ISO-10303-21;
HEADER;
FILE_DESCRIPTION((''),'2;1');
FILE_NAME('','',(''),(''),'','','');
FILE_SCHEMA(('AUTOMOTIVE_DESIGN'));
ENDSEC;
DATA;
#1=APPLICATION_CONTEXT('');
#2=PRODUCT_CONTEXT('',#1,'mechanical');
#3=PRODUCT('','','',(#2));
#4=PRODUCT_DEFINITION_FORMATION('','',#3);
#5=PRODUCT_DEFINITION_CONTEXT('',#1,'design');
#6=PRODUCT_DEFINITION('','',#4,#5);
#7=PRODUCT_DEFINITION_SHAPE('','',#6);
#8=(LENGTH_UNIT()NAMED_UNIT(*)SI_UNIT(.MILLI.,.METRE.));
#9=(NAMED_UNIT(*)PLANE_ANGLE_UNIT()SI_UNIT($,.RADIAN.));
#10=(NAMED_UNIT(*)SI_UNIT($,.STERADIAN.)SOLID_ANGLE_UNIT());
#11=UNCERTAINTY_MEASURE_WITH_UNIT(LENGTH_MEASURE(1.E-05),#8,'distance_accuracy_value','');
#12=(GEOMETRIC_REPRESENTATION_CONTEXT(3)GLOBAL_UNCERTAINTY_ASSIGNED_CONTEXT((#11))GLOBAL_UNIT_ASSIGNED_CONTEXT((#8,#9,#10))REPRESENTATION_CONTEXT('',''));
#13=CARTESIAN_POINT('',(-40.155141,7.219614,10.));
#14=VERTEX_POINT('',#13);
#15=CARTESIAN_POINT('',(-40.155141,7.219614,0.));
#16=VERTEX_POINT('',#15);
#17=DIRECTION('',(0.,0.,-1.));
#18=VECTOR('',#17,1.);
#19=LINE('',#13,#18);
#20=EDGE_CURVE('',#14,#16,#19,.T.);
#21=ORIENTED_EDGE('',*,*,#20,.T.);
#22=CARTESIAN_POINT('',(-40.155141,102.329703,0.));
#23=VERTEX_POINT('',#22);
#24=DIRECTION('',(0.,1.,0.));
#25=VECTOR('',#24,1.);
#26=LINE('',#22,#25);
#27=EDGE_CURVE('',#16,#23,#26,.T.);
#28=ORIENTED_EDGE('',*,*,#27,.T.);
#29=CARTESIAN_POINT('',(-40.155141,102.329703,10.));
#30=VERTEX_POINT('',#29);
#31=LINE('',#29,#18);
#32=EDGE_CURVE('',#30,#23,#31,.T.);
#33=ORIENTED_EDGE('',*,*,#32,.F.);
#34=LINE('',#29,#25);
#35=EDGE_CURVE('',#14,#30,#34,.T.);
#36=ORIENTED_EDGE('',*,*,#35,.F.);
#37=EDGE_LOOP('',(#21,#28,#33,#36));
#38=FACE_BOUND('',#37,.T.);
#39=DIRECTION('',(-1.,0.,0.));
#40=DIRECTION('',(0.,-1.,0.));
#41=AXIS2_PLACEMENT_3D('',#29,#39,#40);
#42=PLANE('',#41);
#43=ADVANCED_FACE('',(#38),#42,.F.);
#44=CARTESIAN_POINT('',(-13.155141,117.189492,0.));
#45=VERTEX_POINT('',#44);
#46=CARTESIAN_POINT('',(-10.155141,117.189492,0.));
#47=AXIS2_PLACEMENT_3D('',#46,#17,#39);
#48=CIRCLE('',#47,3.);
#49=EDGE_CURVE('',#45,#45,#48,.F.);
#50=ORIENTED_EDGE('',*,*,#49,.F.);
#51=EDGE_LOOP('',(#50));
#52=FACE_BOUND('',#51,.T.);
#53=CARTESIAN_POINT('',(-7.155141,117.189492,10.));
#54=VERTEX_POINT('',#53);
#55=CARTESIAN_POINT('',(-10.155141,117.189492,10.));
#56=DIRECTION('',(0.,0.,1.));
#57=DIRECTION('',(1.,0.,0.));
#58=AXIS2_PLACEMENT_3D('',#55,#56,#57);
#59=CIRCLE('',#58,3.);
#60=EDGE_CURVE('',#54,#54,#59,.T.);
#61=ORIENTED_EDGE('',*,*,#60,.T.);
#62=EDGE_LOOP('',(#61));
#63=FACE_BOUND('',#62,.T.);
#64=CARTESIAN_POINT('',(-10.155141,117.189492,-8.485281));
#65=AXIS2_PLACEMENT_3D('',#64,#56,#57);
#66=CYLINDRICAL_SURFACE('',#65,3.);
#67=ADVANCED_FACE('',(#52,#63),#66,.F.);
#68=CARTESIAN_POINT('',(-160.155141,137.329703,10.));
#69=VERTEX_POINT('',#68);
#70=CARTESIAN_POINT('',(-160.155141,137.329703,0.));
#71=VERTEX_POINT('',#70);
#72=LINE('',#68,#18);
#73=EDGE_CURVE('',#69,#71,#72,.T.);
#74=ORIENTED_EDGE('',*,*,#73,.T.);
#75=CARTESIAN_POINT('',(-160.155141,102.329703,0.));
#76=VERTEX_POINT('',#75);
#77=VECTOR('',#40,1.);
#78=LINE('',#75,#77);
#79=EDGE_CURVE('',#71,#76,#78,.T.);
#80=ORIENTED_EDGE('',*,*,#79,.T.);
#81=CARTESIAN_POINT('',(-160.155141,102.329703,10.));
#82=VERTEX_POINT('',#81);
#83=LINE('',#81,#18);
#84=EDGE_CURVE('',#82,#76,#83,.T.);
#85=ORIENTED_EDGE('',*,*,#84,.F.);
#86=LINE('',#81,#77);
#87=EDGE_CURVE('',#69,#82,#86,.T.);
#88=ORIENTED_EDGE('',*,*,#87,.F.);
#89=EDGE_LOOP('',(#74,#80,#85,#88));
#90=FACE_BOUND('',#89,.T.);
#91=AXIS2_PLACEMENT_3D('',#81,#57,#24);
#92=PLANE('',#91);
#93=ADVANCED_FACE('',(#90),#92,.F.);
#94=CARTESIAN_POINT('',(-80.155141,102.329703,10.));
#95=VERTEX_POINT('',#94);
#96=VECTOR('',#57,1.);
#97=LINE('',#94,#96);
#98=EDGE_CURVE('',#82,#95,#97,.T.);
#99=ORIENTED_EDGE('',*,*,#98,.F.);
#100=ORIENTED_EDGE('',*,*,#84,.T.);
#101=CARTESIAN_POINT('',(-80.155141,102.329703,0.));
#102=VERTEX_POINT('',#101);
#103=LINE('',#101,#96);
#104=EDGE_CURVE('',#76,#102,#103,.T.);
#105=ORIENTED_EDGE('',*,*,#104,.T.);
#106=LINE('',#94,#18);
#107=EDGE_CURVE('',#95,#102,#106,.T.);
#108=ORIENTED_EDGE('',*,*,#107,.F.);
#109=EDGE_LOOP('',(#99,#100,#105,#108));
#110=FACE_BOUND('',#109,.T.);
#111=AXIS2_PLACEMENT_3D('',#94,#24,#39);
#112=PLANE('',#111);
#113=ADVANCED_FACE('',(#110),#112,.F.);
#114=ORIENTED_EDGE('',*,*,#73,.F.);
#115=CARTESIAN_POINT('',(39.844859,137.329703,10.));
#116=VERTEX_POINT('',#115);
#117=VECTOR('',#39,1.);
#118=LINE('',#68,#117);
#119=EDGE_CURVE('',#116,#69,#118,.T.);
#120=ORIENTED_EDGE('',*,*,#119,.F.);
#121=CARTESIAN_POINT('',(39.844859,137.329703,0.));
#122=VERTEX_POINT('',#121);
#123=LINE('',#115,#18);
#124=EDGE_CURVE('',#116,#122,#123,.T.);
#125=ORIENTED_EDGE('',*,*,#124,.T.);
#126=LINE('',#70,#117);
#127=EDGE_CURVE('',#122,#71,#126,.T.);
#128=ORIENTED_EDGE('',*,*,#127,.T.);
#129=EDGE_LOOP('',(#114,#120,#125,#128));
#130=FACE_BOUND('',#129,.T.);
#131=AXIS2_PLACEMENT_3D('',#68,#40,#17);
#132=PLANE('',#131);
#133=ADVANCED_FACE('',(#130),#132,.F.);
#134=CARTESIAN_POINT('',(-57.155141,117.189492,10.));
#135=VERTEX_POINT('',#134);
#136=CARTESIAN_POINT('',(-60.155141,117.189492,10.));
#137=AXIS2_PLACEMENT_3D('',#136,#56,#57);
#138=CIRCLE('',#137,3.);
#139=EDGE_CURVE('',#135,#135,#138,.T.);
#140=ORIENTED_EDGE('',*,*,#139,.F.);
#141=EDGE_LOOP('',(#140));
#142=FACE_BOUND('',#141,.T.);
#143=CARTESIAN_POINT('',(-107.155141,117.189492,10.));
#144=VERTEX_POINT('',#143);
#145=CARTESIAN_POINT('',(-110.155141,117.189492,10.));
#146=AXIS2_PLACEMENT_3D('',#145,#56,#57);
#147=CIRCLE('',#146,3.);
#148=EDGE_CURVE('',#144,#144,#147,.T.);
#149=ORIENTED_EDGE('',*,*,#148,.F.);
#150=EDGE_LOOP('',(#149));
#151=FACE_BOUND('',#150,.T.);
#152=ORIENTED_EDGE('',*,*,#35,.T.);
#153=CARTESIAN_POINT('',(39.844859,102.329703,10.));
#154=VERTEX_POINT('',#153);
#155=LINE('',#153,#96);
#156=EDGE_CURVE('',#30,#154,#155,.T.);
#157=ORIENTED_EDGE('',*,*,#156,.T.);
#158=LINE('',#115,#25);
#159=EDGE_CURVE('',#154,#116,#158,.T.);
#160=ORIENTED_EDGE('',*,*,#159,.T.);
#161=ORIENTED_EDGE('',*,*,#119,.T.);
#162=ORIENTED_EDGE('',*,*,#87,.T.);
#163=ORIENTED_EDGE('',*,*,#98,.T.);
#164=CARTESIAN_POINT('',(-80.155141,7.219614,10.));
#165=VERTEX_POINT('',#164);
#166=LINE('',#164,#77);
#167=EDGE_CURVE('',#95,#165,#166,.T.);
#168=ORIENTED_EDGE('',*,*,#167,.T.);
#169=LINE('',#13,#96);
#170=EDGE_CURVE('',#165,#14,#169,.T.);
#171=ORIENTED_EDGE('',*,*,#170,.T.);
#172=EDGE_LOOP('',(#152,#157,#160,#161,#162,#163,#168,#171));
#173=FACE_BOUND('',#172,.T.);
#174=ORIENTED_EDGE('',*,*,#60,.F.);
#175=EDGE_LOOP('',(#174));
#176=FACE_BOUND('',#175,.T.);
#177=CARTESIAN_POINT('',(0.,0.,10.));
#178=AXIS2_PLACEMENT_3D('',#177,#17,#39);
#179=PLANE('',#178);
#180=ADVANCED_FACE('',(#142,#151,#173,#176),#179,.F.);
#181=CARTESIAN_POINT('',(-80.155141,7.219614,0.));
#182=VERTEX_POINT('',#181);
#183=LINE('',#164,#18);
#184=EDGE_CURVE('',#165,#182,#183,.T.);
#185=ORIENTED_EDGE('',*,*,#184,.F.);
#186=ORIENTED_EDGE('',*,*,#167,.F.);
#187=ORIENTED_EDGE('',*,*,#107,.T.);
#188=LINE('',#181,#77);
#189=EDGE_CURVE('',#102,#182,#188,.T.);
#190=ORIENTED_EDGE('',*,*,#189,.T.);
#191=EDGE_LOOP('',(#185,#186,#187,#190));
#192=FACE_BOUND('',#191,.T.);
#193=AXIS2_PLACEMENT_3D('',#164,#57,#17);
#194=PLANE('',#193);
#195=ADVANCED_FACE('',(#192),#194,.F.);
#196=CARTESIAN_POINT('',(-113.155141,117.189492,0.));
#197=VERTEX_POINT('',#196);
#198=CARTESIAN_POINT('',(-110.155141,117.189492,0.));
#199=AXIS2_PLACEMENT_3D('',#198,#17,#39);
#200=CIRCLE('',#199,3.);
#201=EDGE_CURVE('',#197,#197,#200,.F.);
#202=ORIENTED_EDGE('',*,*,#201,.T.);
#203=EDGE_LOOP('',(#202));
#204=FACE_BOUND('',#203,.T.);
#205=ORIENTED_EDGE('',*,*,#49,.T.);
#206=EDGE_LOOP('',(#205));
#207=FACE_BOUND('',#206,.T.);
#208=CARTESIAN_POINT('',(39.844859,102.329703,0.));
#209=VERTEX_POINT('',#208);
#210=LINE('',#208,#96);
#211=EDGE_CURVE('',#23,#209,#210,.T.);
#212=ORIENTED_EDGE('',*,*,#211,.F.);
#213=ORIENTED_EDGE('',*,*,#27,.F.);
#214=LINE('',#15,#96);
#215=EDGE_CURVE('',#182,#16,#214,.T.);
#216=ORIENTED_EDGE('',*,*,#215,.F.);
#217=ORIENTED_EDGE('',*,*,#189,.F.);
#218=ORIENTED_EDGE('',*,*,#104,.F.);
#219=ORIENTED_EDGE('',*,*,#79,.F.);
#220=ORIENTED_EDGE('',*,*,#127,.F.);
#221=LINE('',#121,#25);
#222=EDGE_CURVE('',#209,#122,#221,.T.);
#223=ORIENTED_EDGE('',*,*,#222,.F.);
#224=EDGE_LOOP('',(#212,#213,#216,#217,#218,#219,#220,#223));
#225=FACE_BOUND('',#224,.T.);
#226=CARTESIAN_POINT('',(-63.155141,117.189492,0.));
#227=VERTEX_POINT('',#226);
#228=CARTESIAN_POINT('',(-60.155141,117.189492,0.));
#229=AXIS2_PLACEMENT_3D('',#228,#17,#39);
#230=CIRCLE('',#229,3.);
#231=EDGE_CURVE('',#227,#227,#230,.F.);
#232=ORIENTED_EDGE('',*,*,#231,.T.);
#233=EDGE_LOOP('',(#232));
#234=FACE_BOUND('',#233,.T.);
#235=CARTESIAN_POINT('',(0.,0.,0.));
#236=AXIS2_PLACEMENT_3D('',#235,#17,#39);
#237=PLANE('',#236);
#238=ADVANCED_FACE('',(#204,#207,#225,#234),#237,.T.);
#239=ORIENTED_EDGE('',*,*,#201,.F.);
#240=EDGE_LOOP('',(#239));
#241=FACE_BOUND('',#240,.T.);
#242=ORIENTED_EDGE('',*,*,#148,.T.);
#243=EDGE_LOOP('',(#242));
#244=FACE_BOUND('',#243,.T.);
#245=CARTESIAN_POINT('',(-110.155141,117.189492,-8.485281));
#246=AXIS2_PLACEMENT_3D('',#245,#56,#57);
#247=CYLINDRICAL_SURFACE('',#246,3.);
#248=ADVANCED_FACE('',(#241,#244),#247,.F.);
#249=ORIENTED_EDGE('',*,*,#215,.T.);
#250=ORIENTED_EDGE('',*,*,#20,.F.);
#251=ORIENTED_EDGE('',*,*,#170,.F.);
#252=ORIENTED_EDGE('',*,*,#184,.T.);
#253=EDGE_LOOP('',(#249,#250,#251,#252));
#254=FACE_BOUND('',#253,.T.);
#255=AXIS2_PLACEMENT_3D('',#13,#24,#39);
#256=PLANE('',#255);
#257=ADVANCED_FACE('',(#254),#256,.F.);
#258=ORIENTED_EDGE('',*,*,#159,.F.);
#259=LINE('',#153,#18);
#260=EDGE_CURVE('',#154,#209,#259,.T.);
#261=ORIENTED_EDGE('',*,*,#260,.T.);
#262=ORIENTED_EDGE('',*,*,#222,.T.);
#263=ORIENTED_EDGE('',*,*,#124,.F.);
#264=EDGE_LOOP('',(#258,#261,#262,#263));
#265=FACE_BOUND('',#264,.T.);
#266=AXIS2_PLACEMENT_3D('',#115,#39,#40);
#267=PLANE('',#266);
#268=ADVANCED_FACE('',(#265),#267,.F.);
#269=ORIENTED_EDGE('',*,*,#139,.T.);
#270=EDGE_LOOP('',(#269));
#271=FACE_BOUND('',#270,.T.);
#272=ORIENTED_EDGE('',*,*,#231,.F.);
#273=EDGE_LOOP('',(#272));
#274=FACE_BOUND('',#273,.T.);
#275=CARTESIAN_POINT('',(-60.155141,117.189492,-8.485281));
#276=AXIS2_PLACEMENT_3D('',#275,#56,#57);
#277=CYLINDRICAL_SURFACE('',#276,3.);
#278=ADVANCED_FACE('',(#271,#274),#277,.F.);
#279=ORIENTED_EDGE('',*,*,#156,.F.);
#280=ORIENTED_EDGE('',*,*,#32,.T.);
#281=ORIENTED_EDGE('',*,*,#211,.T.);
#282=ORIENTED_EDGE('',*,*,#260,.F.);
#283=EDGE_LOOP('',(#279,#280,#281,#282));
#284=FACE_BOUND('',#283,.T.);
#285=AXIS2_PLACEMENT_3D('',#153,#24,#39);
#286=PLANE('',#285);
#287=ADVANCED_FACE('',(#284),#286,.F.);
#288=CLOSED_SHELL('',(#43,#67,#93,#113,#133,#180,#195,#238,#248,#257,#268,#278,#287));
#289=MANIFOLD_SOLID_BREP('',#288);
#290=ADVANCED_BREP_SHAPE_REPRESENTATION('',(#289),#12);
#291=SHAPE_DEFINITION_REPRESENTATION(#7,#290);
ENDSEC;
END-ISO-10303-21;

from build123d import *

# Parameters (mm, degrees)
EXTRUDE_1_DEPTH     = 10
SKETCH_2_R          = 3
CUT_EXTRUDE_1_DEPTH = 10
LPATTERN1_COUNT     = 3
LPATTERN1_PITCH     = 50


with BuildPart() as part:
    # 草圖1 → 填料-伸長1 (new body)
    with BuildSketch(Plane.XY):
        Polygon((-40.155141061, 7.219614063), (-80.155141061, 7.219614063), (-80.155141061, 102.329702578), (-160.155141061, 102.329702578), (-160.155141061, 137.329702578), (39.844858939, 137.329702578), (39.844858939, 102.329702578), (-40.155141061, 102.329702578), align=None)
    extrude(amount=EXTRUDE_1_DEPTH)

    # 草圖2 → 除料-伸長1 (cut)
    with BuildSketch(Plane.XY.offset(10)):
        with Locations((-10.155141061, 117.189491535)):
            Circle(SKETCH_2_R)
    cut_extrude_1 = extrude(amount=-CUT_EXTRUDE_1_DEPTH, mode=Mode.SUBTRACT)

    # LPattern1: 除料-伸長1 ×3
    with Locations(*[(-i * LPATTERN1_PITCH, 0, 0) for i in range(1, LPATTERN1_COUNT)]):
        add(cut_extrude_1, mode=Mode.SUBTRACT)


solid = part.part
